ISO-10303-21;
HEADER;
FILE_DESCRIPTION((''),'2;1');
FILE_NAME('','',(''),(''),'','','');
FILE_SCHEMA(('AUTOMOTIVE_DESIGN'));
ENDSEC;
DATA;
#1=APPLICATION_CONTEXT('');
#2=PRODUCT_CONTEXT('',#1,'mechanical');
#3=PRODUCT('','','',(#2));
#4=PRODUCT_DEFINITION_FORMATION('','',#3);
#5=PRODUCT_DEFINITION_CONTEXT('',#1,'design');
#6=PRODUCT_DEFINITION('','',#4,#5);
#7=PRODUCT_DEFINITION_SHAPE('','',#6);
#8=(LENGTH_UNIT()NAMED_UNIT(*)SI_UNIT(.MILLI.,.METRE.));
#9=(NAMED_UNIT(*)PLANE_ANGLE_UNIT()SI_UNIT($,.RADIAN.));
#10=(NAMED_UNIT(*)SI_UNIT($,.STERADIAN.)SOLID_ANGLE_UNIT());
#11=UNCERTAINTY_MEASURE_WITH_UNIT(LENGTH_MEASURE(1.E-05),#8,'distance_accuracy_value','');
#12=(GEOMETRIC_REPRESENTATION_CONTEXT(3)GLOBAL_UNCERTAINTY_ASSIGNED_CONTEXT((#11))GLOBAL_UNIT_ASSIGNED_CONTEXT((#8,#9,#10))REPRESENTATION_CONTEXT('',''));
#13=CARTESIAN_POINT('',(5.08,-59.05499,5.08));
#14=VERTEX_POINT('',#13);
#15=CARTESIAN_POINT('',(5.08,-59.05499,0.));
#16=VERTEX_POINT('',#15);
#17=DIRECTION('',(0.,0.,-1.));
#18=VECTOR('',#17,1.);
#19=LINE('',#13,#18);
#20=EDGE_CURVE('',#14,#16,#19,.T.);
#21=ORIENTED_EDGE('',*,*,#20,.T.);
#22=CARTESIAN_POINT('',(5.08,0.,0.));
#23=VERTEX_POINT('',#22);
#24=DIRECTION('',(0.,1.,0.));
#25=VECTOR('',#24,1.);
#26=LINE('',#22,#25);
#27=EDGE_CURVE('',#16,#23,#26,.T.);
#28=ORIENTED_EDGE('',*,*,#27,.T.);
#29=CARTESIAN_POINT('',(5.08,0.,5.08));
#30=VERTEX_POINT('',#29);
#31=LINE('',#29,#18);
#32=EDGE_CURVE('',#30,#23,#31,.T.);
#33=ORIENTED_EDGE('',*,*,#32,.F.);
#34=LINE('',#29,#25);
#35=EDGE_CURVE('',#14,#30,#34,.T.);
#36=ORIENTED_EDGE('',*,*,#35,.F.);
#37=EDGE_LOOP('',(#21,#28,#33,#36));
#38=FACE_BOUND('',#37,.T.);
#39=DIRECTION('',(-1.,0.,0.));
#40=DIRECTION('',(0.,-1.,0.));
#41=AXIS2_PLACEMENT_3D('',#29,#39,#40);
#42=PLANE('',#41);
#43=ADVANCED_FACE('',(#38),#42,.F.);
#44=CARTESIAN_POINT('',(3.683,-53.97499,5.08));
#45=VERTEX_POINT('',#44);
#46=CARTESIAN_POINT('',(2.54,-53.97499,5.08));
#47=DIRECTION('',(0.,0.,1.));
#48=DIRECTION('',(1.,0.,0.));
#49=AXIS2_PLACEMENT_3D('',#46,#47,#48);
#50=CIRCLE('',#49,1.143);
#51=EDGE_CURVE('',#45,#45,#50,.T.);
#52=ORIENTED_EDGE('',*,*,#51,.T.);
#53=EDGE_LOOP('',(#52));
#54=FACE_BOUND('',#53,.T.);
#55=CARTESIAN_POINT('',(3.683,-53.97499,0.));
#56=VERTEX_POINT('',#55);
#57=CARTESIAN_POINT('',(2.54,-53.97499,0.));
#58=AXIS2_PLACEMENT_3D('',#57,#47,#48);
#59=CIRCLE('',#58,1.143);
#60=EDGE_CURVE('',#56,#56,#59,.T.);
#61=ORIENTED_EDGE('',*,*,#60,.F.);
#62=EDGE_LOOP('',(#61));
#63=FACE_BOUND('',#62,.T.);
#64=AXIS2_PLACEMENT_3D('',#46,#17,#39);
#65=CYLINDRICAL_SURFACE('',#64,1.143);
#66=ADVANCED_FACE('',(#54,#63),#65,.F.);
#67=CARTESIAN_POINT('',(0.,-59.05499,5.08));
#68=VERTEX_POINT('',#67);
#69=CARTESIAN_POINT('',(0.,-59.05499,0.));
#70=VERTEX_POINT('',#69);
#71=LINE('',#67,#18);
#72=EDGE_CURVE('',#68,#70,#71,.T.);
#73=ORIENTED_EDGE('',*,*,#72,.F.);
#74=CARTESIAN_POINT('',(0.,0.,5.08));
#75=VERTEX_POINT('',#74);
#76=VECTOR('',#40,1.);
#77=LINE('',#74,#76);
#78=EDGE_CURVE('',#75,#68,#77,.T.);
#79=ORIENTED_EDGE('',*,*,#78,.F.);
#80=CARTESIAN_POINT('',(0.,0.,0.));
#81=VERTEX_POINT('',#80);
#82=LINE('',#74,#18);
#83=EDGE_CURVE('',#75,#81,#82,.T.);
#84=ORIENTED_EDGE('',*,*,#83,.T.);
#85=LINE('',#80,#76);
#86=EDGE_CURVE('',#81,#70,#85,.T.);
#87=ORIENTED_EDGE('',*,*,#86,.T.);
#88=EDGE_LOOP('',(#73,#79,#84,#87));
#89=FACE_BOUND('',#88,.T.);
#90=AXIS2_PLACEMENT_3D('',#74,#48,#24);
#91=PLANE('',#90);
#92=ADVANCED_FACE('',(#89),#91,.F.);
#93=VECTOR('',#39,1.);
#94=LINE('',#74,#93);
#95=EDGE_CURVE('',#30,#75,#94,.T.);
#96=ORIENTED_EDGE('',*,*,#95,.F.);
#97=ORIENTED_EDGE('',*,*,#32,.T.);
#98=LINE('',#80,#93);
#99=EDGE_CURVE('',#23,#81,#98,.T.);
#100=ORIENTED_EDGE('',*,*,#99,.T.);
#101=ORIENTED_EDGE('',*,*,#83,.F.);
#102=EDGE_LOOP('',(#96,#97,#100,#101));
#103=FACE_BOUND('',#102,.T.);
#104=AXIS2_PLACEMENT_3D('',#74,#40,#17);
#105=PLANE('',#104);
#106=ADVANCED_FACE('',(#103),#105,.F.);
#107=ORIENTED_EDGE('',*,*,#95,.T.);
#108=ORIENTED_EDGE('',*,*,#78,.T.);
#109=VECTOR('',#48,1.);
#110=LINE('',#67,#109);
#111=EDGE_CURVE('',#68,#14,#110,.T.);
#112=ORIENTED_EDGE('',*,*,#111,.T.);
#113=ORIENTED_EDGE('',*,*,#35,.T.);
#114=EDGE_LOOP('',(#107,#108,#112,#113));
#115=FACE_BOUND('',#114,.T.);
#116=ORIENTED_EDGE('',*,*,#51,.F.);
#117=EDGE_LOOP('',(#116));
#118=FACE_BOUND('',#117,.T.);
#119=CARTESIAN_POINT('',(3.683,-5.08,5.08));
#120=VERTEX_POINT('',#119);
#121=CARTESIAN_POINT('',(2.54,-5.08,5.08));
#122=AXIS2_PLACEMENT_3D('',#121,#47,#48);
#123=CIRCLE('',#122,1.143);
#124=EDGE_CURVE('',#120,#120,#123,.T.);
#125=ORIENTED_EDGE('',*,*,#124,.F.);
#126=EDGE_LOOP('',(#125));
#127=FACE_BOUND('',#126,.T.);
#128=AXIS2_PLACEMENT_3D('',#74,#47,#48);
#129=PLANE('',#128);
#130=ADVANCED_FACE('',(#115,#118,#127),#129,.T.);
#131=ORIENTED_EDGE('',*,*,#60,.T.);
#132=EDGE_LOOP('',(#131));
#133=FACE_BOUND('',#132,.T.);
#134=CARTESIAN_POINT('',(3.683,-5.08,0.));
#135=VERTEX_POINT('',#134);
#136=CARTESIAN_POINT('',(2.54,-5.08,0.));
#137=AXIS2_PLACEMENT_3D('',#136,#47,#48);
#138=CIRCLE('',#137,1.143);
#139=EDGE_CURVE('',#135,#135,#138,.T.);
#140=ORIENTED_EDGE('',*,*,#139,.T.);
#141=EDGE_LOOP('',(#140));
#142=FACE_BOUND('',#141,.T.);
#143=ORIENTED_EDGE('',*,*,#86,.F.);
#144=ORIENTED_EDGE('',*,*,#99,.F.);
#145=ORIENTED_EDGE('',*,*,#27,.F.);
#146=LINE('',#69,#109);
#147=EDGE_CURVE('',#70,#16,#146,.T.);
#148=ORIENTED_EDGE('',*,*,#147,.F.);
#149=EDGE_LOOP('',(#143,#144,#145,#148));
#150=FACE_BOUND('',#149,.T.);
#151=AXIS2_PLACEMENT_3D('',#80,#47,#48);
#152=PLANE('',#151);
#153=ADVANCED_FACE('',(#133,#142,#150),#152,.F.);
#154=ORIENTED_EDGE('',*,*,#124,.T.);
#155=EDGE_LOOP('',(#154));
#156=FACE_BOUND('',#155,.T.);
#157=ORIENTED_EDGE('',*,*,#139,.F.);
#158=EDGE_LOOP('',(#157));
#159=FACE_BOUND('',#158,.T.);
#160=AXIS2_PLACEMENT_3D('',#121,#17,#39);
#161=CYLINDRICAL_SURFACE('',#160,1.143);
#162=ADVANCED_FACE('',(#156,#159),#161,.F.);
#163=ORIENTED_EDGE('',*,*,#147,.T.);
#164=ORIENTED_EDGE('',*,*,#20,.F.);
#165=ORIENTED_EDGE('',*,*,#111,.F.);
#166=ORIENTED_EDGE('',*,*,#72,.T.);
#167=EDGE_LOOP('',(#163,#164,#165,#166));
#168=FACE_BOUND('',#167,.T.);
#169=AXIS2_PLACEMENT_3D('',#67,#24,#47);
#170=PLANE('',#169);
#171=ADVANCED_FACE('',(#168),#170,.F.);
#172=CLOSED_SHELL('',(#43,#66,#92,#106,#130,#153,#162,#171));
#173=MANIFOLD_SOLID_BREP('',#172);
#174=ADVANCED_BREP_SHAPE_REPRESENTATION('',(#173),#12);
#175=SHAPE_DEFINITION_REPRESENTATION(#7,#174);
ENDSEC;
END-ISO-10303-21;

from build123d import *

# Parameters (mm, degrees)
SKETCH1_W           = 5.08
SKETCH1_H           = 59.05498984
SKETCH1_R           = 1.143
BOSS_EXTRUDE1_DEPTH = 5.08


with BuildPart() as part:
    # Sketch1 → Boss-Extrude1 (new body)
    with BuildSketch(Plane.XY):
        with Locations((2.54, -29.52749492)):
            Rectangle(SKETCH1_W, SKETCH1_H)
        with Locations((2.54, -5.08)):
            Circle(SKETCH1_R, mode=Mode.SUBTRACT)
        with Locations((2.54, -53.97498984)):
            Circle(SKETCH1_R, mode=Mode.SUBTRACT)
    extrude(amount=BOSS_EXTRUDE1_DEPTH)


solid = part.part
